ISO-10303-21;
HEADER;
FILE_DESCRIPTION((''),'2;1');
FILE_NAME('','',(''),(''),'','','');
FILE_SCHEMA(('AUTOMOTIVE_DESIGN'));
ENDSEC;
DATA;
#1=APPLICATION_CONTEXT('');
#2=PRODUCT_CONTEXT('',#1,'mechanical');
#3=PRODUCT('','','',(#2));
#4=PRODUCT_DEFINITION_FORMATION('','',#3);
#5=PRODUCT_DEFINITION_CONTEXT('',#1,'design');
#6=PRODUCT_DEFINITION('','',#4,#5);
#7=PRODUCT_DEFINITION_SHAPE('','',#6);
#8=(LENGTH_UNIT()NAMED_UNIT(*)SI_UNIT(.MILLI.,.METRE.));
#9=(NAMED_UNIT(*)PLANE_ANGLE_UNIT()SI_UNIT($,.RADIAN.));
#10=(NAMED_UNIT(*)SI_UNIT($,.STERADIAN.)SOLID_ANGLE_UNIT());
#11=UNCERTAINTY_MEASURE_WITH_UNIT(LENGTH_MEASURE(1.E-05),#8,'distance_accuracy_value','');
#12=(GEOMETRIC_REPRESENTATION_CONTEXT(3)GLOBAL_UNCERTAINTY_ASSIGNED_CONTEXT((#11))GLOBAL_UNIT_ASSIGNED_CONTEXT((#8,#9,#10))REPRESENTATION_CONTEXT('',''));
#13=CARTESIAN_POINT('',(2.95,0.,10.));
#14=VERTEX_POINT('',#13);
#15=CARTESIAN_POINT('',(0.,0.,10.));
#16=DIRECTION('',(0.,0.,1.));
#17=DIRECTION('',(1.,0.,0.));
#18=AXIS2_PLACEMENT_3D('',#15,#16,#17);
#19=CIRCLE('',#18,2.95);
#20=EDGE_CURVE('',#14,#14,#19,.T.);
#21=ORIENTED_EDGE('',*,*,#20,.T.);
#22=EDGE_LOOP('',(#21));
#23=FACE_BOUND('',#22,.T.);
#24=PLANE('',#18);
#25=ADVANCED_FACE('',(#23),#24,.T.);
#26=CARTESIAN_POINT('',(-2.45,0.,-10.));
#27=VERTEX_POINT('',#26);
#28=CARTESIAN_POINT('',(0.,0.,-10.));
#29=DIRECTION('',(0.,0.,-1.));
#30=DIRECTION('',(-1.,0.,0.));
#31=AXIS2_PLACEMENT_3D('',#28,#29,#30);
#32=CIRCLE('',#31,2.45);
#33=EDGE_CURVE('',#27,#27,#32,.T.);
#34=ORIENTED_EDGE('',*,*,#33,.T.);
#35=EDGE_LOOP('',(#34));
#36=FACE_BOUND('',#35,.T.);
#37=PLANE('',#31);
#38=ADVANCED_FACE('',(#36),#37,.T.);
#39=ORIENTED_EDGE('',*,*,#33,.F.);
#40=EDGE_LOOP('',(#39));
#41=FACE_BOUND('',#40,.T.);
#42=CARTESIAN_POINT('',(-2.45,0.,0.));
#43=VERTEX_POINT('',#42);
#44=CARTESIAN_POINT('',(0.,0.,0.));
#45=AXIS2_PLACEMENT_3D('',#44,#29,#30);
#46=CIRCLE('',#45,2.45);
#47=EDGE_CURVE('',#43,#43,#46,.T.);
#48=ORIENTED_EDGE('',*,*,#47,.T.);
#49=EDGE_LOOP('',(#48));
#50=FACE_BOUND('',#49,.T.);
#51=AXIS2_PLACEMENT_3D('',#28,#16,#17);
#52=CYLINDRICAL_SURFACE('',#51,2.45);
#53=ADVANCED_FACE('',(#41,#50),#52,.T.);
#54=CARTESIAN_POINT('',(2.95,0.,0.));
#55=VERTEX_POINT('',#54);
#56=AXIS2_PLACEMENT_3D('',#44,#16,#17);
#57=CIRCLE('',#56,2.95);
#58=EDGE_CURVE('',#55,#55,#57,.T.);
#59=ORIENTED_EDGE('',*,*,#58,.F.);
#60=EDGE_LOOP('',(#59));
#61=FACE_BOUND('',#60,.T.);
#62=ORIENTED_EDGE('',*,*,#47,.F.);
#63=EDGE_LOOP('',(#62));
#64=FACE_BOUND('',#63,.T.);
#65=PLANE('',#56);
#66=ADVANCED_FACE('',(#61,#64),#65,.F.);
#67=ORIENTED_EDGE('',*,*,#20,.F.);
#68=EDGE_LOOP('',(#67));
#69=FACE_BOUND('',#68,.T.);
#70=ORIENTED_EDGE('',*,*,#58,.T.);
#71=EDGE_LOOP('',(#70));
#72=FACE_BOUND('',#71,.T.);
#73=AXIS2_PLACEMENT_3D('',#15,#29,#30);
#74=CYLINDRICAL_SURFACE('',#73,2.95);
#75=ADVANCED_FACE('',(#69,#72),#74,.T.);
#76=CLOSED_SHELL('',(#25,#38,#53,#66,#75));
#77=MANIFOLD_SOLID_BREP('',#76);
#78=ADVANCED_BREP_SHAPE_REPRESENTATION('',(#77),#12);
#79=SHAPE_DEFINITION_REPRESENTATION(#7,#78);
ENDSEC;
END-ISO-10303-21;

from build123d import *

# Parameters (mm, degrees)
SKIZZE1_R                       = 2.95
AUFSATZ_LINEAR_AUSTRAGEN1_DEPTH = 10
SKIZZE2_R                       = 2.45
AUFSATZ_LINEAR_AUSTRAGEN2_DEPTH = 10


with BuildPart() as part:
    # Skizze1 → Aufsatz-Linear austragen1 (new body)
    with BuildSketch(Plane.XY):
        Circle(SKIZZE1_R)
    extrude(amount=AUFSATZ_LINEAR_AUSTRAGEN1_DEPTH)

    # Skizze2 → Aufsatz-Linear austragen2 (add)
    with BuildSketch(Plane(origin=(0, 0, 0), x_dir=(-1, 0, 0), z_dir=(0, 0, -1))):
        Circle(SKIZZE2_R)
    extrude(amount=AUFSATZ_LINEAR_AUSTRAGEN2_DEPTH)


solid = part.part
